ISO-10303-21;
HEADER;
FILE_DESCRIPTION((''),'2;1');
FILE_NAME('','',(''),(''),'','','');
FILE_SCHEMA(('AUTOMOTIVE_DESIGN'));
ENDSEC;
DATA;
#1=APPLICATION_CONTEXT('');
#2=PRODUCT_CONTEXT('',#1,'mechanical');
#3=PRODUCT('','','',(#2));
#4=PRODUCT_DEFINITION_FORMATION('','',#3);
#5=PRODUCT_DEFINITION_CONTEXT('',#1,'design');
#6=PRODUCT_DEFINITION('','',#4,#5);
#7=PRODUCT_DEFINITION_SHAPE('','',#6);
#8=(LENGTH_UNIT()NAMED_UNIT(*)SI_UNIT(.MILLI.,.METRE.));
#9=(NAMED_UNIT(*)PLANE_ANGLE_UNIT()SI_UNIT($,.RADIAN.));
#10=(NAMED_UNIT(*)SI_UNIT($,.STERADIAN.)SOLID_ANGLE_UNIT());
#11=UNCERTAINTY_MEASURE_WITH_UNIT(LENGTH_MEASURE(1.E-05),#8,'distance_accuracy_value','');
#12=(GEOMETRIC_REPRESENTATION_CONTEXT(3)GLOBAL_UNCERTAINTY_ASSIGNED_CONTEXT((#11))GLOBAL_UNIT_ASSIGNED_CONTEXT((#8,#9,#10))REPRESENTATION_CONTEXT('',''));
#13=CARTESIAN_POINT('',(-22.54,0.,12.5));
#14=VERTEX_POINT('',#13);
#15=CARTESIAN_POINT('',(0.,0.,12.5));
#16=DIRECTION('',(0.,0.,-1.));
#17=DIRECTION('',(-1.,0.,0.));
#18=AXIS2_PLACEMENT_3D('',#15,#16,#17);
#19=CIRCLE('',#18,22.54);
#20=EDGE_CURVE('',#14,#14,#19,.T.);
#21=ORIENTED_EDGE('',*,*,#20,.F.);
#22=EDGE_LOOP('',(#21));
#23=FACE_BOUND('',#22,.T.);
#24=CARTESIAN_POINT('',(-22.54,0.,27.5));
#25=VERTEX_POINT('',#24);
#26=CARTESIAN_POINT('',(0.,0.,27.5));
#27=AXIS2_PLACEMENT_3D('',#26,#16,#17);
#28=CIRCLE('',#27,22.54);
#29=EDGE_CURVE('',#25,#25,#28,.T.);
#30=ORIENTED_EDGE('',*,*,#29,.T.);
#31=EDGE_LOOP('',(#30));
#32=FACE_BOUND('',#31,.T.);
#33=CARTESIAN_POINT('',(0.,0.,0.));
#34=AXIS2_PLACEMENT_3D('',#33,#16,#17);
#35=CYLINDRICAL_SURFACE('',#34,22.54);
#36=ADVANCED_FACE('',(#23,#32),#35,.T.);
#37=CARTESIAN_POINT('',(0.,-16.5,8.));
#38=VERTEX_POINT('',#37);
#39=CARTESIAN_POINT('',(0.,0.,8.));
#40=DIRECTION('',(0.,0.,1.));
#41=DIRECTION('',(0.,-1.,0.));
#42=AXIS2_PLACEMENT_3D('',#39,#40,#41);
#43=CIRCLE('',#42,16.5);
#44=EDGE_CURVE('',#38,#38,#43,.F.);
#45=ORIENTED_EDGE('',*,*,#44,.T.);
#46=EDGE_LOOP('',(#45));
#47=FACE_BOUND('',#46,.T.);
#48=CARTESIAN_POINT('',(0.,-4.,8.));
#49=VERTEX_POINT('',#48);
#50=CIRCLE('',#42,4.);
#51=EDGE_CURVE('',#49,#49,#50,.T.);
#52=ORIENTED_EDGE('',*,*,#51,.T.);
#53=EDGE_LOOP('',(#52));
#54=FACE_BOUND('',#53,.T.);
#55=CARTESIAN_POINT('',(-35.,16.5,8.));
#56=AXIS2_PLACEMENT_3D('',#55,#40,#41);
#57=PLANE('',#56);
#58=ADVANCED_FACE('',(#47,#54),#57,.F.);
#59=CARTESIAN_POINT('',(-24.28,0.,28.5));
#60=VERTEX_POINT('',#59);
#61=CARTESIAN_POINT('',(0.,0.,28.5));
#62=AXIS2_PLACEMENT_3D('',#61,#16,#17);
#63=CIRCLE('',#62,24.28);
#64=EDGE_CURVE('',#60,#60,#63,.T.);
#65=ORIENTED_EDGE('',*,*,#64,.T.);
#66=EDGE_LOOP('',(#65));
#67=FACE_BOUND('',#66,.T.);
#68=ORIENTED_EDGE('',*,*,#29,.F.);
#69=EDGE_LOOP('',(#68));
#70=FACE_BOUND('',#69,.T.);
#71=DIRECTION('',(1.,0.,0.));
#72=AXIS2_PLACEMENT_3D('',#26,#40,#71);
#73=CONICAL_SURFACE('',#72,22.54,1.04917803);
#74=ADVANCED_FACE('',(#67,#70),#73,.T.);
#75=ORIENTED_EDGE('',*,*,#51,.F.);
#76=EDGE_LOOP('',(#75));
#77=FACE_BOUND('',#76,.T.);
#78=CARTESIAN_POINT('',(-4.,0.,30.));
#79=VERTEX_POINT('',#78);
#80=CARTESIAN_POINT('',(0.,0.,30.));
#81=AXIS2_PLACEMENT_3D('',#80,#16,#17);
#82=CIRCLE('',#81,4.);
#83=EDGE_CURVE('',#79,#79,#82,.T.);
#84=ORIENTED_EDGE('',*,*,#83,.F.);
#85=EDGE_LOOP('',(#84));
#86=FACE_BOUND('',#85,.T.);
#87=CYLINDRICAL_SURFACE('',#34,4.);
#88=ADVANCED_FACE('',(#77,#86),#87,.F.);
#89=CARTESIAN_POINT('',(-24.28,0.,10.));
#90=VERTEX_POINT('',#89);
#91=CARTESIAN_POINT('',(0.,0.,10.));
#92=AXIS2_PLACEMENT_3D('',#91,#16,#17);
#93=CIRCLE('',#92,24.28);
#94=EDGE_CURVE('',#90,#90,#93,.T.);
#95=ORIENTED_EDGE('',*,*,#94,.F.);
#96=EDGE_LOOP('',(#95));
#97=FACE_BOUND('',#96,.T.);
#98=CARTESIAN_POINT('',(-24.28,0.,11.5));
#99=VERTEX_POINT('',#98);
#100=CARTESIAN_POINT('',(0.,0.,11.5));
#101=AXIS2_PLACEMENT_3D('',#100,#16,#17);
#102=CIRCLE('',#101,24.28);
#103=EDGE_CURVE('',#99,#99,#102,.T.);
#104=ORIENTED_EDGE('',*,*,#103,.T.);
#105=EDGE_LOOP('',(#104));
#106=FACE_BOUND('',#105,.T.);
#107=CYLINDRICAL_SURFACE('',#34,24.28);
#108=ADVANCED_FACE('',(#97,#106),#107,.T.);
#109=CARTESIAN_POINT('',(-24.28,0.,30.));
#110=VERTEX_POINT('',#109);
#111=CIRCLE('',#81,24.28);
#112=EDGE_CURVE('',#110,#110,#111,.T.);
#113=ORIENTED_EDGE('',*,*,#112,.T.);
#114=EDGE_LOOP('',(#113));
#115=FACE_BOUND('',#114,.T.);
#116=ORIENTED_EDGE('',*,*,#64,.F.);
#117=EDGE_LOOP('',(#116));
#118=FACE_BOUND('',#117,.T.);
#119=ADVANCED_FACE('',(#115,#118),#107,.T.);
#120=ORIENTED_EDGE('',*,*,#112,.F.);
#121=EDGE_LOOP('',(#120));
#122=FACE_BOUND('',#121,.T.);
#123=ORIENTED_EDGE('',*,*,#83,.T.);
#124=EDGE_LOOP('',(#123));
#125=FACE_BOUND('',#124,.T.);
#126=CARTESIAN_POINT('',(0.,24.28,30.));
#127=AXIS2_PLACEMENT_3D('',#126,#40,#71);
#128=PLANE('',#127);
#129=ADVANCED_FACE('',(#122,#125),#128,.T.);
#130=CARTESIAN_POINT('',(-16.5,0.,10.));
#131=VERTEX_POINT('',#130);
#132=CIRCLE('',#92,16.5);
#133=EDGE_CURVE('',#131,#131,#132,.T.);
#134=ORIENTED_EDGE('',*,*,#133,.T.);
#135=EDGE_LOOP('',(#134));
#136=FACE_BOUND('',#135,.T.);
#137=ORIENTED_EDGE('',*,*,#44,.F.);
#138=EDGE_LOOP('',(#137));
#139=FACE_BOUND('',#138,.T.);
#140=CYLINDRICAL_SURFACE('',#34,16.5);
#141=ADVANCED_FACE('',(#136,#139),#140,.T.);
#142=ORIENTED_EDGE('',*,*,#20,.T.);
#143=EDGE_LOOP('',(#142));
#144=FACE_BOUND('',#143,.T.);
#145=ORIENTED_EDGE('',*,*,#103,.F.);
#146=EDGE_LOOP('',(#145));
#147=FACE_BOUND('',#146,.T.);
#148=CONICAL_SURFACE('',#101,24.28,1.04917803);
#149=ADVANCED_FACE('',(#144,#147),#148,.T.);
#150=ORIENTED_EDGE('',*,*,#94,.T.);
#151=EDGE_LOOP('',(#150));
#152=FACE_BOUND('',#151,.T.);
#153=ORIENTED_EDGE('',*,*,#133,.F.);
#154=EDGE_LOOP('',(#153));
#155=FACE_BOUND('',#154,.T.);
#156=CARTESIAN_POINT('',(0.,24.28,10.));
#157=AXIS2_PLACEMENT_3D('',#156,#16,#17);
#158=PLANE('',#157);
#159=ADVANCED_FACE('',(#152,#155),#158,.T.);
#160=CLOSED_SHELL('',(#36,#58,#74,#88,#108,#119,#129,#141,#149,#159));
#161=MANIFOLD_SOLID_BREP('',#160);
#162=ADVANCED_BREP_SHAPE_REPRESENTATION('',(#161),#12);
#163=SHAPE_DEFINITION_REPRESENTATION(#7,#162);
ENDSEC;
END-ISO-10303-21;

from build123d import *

# Parameters (mm, degrees)
SKICA2_W                 = 8
SKICA2_H                 = 33
ODEBRAT_VYSUNUT_M1_DEPTH = 35


with BuildPart() as part:
    # Skica1 → Rotovat1 (revolve)
    with BuildSketch(Plane(origin=(0, 0, 0), x_dir=(0, 0, -1), z_dir=(1, 0, 0)), mode=Mode.PRIVATE) as rotovat1_sk:
        Polygon((0, 4), (0, 16.5), (-10, 16.5), (-10, 24.28), (-11.5, 24.28), (-12.5, 22.54), (-27.5, 22.54), (-28.5, 24.28), (-30, 24.28), (-30, 4), align=None)
    revolve(rotovat1_sk.sketch.rotate(Axis((0, 0, 0), (0, 0, 1)), 90), axis=Axis((0, 0, 0), (0, 0, 1)))

    # Skica2 → Odebrat vysunutím1 (cut, symmetric)
    with BuildSketch(Plane(origin=(0, 0, 0), x_dir=(0, 0, -1), z_dir=(1, 0, 0))):
        with Locations((-4, 0)):
            Rectangle(SKICA2_W, SKICA2_H)
    extrude(amount=ODEBRAT_VYSUNUT_M1_DEPTH, both=True, mode=Mode.SUBTRACT)


solid = part.part
